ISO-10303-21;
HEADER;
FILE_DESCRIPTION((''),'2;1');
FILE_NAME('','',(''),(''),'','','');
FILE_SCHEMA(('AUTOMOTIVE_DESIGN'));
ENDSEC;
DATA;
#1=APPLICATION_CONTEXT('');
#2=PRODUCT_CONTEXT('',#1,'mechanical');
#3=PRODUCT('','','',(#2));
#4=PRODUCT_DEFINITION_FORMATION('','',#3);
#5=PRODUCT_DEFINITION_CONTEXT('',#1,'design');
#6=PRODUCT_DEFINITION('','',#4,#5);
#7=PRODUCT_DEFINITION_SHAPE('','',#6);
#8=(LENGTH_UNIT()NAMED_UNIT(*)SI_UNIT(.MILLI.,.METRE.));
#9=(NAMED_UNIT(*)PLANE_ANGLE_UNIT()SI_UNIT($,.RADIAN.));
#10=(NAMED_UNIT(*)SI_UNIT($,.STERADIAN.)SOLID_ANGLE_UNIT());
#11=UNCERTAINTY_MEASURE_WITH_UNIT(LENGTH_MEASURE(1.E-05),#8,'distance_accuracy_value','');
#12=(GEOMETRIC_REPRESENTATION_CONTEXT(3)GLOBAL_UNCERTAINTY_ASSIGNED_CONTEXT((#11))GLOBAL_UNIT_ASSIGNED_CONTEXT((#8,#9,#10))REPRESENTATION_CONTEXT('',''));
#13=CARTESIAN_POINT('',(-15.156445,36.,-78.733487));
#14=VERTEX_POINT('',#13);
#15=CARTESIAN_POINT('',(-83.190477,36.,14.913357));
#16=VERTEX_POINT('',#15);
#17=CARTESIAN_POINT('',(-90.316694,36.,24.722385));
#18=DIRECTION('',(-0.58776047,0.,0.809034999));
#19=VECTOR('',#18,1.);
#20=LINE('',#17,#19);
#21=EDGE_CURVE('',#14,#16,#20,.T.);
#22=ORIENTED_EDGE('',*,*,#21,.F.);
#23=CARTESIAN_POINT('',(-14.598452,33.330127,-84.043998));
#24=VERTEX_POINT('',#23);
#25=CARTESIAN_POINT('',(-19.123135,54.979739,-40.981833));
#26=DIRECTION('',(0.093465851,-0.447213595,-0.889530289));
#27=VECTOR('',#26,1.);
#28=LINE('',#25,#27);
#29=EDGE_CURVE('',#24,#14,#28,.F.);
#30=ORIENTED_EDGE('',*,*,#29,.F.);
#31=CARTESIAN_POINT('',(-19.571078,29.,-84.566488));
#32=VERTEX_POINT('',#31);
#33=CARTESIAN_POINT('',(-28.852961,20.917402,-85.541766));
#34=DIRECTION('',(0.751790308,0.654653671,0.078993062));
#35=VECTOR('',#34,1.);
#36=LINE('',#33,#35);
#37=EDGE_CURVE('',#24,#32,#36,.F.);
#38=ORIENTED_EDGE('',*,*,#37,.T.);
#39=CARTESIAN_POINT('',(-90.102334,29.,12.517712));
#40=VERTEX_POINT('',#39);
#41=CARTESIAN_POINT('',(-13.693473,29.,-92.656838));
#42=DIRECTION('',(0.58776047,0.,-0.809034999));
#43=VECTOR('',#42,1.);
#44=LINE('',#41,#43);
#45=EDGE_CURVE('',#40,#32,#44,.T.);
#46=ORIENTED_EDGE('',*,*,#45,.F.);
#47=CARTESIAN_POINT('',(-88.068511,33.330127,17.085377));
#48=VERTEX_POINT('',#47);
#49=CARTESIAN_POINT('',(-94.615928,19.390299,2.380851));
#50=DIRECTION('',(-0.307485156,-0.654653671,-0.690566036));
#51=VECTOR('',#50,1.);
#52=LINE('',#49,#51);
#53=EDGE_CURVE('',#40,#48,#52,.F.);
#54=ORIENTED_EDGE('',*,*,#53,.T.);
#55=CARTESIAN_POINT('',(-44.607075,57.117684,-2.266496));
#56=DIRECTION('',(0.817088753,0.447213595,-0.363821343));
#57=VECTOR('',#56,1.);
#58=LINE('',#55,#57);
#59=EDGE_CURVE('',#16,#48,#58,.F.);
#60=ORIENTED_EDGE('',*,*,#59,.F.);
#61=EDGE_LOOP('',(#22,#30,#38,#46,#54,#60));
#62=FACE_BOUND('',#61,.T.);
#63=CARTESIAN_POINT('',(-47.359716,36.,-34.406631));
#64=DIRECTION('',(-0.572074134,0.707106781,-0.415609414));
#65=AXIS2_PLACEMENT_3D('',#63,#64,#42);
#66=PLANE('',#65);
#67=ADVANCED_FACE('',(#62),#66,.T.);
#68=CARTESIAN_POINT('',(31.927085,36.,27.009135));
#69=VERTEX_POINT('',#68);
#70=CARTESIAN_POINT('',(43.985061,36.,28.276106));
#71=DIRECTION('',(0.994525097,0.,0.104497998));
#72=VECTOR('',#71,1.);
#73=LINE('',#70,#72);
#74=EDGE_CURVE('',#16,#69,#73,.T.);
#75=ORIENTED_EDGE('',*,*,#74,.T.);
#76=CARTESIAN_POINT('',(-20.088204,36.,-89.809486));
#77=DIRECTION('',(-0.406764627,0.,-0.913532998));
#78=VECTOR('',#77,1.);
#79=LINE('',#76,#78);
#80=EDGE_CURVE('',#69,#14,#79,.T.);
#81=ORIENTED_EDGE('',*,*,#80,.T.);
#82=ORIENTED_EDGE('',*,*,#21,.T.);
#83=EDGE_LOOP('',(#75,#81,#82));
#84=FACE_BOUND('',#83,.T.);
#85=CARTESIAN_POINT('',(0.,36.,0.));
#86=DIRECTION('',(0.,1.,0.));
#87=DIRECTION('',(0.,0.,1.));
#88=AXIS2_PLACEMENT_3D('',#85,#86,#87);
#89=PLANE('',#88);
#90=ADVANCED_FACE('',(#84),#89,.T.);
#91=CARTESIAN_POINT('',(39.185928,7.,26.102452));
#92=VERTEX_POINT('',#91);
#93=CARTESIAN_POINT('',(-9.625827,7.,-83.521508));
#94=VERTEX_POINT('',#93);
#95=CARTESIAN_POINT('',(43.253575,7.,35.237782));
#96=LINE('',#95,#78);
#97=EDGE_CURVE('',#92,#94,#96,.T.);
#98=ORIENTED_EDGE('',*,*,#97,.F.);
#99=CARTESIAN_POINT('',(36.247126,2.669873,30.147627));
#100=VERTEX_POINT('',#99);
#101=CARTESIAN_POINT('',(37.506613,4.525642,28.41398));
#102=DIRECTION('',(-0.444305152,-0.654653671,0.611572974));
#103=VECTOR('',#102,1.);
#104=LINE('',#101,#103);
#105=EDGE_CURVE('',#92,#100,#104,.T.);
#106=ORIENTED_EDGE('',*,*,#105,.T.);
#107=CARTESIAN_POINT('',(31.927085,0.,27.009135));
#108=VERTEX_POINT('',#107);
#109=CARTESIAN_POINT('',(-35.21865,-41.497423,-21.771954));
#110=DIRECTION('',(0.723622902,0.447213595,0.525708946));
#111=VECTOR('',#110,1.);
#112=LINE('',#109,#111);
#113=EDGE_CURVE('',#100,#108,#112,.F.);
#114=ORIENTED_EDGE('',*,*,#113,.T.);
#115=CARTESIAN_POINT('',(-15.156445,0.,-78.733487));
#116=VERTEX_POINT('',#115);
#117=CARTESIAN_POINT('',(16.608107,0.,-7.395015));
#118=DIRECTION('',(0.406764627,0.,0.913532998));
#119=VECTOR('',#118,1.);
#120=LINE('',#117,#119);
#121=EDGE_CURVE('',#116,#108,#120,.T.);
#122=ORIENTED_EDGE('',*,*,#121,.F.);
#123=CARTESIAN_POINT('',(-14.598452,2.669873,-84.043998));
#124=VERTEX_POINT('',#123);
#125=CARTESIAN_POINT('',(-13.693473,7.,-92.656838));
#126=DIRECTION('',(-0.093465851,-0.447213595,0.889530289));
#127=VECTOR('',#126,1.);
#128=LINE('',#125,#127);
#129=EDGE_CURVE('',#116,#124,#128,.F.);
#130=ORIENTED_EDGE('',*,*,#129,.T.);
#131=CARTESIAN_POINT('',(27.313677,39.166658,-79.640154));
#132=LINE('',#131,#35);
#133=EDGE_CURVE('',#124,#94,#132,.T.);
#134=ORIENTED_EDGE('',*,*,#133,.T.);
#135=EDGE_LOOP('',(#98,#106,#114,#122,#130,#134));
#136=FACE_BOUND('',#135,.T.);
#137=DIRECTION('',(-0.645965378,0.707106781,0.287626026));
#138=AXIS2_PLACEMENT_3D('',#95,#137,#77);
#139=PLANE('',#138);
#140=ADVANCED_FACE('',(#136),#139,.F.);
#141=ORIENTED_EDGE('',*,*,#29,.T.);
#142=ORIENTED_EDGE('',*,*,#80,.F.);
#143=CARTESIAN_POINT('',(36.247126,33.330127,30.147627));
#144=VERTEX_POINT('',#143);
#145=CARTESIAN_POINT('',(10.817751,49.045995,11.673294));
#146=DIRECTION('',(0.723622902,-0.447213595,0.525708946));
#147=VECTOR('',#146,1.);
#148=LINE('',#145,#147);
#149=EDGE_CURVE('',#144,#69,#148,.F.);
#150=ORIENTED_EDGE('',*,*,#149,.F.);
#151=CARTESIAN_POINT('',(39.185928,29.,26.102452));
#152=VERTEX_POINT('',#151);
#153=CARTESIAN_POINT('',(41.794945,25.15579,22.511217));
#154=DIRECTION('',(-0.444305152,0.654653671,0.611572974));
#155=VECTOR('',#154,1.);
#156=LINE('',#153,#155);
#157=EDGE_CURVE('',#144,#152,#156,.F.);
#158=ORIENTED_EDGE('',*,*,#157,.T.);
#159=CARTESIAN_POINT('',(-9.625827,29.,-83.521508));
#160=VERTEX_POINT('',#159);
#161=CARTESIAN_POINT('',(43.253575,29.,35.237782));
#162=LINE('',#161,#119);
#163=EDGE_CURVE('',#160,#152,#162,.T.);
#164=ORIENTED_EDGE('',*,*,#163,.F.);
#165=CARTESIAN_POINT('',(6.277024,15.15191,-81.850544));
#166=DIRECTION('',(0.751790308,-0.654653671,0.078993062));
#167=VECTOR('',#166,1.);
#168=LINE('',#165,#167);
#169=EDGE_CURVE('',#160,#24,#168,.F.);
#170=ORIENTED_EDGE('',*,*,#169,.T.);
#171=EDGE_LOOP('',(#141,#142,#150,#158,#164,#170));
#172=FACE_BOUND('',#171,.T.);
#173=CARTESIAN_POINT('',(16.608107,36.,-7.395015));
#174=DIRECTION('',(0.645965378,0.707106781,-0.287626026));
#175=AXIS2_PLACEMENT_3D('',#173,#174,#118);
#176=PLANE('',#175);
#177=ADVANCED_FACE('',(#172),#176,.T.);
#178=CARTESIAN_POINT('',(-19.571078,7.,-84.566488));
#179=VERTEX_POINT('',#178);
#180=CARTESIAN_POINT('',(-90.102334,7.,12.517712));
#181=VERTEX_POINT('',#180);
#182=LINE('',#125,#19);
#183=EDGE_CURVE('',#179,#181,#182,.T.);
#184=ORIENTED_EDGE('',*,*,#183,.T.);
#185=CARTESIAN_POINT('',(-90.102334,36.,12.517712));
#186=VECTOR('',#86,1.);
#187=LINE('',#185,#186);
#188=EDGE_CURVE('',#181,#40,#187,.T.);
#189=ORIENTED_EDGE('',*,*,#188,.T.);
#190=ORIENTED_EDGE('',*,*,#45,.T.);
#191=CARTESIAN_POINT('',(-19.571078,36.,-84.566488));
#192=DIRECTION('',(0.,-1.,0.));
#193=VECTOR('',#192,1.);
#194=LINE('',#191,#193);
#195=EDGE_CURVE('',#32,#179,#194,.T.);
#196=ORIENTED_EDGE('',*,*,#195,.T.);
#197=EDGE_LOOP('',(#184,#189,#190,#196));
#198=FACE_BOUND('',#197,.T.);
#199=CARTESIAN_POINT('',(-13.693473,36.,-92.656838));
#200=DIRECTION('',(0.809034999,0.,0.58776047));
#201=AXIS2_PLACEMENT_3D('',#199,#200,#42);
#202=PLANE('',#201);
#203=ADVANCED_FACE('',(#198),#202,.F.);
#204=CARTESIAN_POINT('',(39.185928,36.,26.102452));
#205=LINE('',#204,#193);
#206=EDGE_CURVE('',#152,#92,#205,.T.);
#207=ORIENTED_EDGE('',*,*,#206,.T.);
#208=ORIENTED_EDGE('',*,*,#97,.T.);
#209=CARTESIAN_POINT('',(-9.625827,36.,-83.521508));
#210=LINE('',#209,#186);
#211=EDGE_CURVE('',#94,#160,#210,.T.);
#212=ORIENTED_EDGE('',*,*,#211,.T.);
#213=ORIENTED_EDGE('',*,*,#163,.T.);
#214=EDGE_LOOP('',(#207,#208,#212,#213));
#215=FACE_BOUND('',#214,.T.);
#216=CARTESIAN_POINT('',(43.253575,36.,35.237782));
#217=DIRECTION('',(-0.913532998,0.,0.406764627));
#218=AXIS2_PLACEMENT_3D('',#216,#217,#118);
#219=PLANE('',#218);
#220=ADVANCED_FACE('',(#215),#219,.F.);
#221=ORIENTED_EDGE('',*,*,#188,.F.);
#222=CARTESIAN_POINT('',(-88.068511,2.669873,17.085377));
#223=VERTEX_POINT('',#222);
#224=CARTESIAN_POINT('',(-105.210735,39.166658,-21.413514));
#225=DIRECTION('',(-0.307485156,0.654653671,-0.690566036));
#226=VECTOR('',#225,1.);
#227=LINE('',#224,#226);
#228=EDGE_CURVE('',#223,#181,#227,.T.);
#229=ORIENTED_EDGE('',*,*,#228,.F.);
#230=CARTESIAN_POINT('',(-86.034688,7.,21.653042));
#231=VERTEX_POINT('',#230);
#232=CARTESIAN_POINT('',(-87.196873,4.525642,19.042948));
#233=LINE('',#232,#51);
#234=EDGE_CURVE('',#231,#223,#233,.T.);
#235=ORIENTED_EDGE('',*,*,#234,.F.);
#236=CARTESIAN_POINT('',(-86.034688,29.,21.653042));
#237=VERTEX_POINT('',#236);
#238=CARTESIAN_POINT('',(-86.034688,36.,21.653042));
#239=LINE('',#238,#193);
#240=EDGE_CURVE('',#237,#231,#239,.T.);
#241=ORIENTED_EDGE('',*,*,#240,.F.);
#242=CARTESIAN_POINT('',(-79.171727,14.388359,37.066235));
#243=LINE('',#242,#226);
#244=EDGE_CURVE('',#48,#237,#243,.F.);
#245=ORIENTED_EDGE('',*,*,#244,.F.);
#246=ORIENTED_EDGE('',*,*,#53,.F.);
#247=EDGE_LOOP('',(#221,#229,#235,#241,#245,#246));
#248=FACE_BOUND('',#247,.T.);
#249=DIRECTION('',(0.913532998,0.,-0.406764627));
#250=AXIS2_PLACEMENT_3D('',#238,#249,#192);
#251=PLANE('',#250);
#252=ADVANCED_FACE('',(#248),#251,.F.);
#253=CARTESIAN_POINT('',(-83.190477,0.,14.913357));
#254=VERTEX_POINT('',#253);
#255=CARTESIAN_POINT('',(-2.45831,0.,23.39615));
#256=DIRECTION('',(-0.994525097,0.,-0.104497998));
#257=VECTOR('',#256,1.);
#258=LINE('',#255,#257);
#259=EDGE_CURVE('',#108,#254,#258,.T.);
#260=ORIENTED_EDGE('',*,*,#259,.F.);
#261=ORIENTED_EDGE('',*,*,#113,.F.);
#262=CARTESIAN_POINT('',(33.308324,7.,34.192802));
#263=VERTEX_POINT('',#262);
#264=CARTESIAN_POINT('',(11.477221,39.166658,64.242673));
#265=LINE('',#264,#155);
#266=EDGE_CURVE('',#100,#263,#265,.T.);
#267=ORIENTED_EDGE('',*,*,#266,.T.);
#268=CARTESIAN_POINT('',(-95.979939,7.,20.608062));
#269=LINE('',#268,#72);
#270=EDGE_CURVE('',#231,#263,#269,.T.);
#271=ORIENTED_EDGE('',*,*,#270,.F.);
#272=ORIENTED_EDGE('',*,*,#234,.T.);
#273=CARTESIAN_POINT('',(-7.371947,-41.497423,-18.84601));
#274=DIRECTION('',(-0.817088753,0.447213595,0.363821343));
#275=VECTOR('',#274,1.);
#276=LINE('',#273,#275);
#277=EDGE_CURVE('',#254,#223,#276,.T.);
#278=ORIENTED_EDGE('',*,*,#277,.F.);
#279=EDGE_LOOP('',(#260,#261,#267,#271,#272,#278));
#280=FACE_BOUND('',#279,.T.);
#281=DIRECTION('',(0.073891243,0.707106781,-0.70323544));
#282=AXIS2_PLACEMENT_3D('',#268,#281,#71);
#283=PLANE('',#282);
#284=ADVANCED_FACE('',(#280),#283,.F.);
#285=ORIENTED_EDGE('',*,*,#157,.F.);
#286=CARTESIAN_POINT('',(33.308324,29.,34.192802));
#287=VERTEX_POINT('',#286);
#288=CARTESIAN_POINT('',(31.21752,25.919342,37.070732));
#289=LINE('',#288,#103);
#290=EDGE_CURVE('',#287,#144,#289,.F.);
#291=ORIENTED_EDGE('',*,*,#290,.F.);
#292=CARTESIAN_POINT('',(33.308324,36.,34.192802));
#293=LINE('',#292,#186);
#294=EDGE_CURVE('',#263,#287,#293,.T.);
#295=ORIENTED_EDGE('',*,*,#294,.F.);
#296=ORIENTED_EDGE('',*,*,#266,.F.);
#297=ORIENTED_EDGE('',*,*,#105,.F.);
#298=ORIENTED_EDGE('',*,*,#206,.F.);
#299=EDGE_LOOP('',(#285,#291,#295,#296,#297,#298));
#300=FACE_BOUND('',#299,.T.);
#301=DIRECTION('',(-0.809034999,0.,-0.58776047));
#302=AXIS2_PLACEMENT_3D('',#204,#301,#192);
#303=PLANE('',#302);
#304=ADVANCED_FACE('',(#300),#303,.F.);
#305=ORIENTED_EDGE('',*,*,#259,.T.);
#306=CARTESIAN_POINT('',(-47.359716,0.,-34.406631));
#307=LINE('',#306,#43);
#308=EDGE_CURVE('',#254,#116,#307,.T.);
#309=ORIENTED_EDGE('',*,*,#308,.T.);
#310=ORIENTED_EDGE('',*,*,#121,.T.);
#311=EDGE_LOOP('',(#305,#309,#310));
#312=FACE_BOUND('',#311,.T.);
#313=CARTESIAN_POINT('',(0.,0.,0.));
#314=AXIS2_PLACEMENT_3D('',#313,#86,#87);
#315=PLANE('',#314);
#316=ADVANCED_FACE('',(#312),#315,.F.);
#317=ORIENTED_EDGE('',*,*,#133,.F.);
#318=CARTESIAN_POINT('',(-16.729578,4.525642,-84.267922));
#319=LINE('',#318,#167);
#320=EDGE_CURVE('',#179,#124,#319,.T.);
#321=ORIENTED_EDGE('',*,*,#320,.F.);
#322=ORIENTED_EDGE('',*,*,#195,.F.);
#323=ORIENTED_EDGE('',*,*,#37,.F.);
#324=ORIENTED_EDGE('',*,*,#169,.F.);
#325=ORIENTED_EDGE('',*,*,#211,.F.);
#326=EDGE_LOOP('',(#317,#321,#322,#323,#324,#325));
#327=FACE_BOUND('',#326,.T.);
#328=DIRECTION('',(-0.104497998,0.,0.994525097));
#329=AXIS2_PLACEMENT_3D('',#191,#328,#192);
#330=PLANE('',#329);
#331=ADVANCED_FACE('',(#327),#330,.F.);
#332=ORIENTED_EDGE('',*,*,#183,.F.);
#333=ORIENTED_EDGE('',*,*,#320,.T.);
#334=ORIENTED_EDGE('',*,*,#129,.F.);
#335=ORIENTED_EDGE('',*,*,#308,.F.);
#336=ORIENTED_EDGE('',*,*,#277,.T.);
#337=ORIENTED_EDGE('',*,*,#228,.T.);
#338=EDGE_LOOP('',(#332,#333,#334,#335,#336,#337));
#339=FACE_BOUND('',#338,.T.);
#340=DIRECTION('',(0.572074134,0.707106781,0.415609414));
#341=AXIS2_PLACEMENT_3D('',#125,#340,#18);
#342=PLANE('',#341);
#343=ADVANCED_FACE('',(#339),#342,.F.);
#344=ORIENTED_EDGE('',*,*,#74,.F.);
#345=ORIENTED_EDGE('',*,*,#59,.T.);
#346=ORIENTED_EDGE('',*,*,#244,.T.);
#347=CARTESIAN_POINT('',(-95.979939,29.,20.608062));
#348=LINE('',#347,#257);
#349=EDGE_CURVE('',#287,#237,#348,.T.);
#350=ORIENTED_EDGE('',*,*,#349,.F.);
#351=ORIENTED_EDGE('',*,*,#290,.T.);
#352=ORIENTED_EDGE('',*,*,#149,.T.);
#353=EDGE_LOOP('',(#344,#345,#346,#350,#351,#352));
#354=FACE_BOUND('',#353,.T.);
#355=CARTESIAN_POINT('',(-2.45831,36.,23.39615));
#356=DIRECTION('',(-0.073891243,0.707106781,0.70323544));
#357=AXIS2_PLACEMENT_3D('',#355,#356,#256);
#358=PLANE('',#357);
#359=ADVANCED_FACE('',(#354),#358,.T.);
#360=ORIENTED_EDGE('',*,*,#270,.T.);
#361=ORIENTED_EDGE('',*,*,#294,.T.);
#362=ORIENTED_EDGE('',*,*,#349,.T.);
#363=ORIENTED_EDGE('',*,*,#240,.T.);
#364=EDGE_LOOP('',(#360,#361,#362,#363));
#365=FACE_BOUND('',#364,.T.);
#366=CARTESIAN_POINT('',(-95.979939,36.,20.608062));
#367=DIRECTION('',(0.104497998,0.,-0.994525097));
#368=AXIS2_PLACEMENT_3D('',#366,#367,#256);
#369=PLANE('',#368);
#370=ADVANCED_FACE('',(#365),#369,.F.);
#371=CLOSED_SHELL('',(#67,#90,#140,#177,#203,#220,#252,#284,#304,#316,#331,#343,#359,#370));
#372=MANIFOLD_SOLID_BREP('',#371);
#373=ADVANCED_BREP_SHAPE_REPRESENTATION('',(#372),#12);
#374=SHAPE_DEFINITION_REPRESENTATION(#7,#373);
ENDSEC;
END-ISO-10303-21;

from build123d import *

# Parameters (mm, degrees)
BOSS_EXTRU_1_DEPTH = 36
CHANFREIN1_SIZE    = 7
CHANFREIN2_SIZE    = 10


with BuildPart() as part:
    # Esquisse1 → Boss.-Extru.1 (new body)
    with BuildSketch(Plane(origin=(0, 0, 0), x_dir=(1, 0, 0), z_dir=(0, 1, 0))):
        Polygon((43.253574696, -35.237781767), (-13.693473115, 92.656837923), (-95.979938868, -20.608061997), align=None)
    extrude(amount=BOSS_EXTRU_1_DEPTH)

    # Chanfrein1
    chanfrein1_edges = [part.edges().sort_by_distance(p)[0] for p in [
        (-54.836705991, 36, -36.024387963),
        (-54.836705991, 0, -36.024387963),
        (-26.363182086, 36, 27.922921882),
        (14.780050791, 0, -28.709528078),
        (-26.363182086, 0, 27.922921882),
        (14.780050791, 36, -28.709528078),
    ]]
    chamfer(chanfrein1_edges, length=CHANFREIN1_SIZE)

    # Chanfrein2
    chanfrein2_edges = [part.edges().sort_by_distance(p)[0] for p in [
        (-13.693473115, 18, -92.656837923),
        (43.253574696, 18, 35.237781767),
        (-95.979938868, 18, 20.608061997),
    ]]
    chamfer(chanfrein2_edges, length=CHANFREIN2_SIZE)


solid = part.part
